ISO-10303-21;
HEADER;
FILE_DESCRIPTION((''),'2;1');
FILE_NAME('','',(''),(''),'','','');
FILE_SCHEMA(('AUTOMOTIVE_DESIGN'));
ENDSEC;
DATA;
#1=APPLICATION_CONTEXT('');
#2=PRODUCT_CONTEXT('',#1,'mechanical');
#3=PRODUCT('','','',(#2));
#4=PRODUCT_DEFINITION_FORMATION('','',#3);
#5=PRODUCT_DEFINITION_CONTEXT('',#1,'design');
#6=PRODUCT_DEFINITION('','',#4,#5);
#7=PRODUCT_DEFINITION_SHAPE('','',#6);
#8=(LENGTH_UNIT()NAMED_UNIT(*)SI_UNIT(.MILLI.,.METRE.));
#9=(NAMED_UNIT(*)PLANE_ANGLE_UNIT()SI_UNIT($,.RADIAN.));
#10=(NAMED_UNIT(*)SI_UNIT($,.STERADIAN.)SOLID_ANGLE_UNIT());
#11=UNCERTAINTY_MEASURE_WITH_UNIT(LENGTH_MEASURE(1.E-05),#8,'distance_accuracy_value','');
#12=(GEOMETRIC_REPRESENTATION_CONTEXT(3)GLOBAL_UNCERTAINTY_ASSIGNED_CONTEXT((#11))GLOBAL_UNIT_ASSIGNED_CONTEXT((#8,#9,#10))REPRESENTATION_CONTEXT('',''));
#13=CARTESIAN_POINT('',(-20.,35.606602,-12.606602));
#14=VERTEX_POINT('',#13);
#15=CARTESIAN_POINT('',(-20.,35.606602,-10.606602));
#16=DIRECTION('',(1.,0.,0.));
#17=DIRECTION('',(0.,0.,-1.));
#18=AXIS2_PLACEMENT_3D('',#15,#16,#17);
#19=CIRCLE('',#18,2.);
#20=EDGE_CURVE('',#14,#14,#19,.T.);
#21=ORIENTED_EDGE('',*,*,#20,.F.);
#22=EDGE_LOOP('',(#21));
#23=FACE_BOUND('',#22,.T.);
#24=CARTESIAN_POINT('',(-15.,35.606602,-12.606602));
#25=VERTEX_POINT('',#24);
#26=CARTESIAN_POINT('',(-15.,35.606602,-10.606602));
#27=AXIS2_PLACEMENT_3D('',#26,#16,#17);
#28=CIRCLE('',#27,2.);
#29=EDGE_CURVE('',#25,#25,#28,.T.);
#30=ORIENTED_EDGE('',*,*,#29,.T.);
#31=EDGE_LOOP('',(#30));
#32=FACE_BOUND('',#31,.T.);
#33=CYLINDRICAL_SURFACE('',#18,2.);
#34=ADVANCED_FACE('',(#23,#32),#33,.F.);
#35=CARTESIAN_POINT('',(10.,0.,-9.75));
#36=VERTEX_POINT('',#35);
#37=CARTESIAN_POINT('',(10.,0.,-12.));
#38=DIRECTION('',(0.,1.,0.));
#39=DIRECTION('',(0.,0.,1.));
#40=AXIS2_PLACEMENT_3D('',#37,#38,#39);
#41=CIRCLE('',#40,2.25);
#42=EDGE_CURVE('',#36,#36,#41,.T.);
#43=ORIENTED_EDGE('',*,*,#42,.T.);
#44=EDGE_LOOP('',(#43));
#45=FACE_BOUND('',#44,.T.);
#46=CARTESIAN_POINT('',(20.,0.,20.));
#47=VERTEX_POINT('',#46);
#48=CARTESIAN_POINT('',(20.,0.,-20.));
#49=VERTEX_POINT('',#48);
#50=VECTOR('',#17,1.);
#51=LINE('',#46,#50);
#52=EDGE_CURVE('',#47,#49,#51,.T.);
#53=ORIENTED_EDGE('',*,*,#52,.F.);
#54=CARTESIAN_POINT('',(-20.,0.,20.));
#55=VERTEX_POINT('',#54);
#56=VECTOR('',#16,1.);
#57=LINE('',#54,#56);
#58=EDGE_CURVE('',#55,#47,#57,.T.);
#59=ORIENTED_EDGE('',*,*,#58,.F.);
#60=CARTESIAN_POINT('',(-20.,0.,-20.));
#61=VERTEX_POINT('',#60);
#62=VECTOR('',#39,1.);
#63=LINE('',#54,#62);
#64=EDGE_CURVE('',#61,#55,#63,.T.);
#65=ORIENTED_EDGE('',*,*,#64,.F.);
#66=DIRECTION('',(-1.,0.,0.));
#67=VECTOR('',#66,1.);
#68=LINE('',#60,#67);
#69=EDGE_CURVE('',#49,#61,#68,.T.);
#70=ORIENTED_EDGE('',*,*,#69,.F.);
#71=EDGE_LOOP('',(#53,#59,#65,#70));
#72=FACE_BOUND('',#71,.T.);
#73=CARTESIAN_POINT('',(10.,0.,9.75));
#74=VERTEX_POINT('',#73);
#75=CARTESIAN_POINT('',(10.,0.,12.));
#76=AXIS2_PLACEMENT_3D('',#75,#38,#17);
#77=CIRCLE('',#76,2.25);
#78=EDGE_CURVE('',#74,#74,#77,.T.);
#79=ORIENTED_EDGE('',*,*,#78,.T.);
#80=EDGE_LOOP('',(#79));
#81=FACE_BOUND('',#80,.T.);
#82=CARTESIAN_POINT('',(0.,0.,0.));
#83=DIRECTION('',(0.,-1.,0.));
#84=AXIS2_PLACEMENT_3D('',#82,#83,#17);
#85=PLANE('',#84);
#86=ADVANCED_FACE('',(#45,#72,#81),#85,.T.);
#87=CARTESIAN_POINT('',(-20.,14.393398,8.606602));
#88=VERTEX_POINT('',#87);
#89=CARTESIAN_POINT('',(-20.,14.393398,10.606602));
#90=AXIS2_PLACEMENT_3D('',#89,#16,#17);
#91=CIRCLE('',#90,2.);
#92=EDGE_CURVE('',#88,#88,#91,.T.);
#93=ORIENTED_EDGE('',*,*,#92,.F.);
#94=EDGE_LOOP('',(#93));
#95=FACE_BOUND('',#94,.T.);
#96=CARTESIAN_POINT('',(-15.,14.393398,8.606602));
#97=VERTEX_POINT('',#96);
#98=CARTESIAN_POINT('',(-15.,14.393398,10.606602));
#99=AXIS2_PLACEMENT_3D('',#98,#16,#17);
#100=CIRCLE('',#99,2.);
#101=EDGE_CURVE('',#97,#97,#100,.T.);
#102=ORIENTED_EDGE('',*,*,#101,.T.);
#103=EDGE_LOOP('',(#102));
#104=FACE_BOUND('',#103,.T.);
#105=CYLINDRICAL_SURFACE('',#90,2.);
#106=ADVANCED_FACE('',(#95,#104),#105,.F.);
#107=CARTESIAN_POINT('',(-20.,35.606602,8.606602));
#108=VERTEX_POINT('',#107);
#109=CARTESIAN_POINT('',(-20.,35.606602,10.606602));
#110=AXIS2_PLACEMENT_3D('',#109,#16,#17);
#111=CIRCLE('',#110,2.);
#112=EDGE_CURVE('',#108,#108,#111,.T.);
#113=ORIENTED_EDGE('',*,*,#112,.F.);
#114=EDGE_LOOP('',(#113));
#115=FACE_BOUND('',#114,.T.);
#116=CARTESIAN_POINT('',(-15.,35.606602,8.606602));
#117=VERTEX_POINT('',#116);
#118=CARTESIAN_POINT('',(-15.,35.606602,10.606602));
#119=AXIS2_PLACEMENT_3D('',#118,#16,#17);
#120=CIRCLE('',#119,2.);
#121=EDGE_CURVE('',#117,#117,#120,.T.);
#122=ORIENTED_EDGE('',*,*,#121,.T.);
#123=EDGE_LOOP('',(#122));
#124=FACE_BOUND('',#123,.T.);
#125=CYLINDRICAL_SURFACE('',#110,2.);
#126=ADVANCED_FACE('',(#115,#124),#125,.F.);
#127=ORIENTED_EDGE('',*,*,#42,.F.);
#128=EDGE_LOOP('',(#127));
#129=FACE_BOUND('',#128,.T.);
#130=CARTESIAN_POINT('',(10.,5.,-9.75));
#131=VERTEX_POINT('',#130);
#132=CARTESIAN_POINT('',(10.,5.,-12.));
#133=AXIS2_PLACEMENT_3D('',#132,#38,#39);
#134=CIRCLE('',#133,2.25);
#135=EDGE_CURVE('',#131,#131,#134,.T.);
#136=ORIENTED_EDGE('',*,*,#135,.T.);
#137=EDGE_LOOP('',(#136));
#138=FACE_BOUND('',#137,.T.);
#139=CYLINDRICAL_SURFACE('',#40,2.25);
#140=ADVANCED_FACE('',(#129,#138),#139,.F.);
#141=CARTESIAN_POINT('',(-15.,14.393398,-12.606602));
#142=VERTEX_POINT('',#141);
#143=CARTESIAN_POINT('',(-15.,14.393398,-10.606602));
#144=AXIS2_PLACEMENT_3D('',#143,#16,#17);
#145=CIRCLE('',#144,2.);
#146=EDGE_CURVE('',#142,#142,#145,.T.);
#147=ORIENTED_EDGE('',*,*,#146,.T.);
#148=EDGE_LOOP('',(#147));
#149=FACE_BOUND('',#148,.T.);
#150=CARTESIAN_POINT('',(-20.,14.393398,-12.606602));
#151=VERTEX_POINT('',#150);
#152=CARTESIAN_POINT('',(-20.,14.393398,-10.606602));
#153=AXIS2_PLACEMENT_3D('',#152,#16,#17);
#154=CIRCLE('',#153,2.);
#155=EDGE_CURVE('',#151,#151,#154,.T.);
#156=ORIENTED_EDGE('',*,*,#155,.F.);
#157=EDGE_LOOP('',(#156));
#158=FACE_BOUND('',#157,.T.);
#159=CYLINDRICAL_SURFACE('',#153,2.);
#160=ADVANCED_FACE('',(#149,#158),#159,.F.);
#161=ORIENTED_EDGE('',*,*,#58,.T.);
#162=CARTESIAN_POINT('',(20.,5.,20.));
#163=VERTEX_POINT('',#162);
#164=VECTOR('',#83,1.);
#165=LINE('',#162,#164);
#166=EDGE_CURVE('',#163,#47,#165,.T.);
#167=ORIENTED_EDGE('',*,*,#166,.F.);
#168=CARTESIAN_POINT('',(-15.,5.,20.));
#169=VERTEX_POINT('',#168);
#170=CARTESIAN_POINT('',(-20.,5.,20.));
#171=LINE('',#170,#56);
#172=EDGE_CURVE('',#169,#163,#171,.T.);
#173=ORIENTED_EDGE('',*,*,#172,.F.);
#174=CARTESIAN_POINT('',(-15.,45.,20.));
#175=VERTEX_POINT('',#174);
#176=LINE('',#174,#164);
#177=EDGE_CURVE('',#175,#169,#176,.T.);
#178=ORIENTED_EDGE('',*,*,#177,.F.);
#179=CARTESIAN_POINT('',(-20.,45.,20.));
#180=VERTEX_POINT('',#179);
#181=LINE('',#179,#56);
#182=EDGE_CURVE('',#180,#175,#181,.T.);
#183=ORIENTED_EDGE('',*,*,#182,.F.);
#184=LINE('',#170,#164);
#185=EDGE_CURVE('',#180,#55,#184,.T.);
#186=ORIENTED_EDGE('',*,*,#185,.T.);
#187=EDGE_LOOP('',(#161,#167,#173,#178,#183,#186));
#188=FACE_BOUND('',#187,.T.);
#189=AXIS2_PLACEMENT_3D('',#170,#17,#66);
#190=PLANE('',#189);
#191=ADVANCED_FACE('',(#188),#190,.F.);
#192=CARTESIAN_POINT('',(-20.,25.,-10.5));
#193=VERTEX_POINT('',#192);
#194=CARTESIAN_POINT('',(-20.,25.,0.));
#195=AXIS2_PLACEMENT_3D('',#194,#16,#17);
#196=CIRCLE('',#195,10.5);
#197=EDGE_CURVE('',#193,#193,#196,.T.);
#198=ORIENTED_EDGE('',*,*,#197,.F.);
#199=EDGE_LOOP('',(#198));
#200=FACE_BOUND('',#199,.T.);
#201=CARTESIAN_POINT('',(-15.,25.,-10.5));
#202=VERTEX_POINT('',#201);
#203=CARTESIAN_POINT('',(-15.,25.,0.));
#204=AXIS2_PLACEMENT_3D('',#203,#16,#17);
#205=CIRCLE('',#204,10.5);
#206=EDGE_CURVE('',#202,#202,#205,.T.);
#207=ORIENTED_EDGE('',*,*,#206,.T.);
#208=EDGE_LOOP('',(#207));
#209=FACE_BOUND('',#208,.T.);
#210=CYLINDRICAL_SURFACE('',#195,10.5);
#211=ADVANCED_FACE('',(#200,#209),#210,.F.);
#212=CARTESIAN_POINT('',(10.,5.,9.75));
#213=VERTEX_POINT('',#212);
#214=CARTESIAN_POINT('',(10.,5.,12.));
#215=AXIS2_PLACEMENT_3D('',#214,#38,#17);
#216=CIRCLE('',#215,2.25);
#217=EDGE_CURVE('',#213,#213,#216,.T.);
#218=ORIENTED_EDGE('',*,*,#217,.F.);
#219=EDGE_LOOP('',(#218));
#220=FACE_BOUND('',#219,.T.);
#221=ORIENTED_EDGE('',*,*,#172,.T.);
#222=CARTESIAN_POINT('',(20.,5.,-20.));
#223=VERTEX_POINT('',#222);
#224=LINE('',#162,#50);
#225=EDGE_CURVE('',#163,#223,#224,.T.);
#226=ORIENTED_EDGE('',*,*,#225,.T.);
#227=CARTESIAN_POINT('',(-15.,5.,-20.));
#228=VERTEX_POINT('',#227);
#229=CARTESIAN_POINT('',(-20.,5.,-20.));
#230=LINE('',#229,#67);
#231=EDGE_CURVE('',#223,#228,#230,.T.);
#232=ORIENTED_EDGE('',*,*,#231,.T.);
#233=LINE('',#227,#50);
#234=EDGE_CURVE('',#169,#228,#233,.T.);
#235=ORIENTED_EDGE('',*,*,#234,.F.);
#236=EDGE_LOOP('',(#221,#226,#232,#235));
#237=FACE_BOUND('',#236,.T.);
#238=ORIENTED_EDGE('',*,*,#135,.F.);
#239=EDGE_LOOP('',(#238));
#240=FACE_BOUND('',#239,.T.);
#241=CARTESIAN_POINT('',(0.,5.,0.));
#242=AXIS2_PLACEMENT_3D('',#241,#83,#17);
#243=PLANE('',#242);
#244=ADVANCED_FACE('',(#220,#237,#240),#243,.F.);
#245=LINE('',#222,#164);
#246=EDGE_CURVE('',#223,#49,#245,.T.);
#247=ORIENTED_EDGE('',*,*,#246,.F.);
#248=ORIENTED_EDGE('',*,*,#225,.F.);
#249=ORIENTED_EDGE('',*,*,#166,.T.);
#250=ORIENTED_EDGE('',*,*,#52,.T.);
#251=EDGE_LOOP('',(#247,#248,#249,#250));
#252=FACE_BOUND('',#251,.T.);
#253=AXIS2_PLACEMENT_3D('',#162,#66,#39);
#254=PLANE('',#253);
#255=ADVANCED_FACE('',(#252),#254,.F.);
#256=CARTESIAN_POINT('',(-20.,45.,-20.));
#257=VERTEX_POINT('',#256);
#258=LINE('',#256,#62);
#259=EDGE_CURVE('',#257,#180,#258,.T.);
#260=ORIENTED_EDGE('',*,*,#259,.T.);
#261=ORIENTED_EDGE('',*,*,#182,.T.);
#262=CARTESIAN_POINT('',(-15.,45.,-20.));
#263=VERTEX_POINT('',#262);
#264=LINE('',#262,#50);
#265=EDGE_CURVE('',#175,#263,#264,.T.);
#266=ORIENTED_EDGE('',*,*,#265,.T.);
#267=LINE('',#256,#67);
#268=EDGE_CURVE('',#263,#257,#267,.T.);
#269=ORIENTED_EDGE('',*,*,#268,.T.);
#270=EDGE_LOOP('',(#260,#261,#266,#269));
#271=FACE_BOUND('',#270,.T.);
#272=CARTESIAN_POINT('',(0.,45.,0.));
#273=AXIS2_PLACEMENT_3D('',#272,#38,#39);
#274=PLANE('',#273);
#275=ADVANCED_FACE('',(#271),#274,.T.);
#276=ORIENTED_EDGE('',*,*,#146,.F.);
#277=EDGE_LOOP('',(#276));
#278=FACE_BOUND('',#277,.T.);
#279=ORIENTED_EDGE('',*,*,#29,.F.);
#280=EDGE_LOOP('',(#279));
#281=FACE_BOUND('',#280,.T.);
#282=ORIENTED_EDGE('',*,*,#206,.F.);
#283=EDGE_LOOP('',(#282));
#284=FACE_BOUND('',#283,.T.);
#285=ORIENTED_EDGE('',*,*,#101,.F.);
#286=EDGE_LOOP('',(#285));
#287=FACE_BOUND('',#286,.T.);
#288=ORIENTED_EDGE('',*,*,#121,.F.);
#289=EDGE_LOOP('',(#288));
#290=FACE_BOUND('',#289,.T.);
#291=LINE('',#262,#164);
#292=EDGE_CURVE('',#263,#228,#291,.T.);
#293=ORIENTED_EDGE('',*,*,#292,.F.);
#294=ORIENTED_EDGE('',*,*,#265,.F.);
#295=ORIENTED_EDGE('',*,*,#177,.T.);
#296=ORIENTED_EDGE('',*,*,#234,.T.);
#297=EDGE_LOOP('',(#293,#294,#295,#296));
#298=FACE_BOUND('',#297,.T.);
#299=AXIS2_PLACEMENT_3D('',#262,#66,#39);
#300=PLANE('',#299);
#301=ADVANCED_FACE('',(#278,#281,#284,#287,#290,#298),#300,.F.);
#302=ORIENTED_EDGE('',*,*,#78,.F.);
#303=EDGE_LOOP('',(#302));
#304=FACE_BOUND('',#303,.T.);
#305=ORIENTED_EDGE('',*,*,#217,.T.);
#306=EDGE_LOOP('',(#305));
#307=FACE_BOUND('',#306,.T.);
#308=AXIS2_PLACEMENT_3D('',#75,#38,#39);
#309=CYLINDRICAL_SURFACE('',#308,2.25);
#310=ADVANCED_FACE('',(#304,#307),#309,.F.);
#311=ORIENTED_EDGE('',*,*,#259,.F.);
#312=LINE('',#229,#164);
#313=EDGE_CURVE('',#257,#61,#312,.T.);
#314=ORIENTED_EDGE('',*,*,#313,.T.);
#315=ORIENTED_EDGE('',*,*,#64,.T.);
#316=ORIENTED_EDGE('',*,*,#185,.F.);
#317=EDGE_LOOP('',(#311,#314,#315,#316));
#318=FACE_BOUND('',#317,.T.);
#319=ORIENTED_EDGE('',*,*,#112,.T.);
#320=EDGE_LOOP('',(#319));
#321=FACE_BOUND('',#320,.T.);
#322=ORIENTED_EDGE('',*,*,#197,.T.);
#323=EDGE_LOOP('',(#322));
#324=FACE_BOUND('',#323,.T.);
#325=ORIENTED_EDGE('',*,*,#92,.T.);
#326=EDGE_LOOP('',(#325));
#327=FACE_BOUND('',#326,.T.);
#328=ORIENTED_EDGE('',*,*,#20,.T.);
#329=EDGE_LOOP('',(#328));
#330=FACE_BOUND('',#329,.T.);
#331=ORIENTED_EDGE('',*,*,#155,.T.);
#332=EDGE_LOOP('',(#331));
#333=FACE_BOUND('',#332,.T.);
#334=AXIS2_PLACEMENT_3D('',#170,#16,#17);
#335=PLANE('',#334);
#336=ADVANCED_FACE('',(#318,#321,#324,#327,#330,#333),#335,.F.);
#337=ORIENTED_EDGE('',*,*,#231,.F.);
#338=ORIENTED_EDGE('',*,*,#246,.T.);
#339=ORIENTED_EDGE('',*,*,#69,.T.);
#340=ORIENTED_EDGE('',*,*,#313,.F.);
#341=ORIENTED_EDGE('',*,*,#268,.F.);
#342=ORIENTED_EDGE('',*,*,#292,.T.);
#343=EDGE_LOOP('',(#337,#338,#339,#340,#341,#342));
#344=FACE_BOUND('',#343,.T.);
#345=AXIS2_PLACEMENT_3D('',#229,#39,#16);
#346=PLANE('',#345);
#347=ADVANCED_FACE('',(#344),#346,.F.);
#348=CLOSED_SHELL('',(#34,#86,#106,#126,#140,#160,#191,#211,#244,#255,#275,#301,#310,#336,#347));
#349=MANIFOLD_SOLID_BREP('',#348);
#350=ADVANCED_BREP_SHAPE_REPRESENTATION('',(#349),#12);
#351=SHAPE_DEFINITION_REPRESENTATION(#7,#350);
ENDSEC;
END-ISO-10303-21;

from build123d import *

# Parameters (mm, degrees)
SKETCH1_W           = 40
SKETCH1_H           = 40
BOSS_EXTRUDE1_DEPTH = 5
SKETCH3_W           = 5
SKETCH3_H           = 40
BOSS_EXTRUDE6_DEPTH = 40
SKETCH4_R           = 2.25
CUT_EXTRUDE2_DEPTH  = 49.989794856
SKETCH5_R           = 10.5
SKETCH5_R_2         = 2
CUT_EXTRUDE3_DEPTH  = 61.415229868


with BuildPart() as part:
    # Sketch1 → Boss-Extrude1 (new body)
    with BuildSketch(Plane(origin=(0, 0, 0), x_dir=(1, 0, 0), z_dir=(0, 1, 0))):
        Rectangle(SKETCH1_W, SKETCH1_H)
    extrude(amount=BOSS_EXTRUDE1_DEPTH)

    # Sketch3 → Boss-Extrude6 (add)
    with BuildSketch(Plane(origin=(0, 5, 0), x_dir=(1, 0, 0), z_dir=(0, 1, 0))):
        with Locations((-17.5, 0)):
            Rectangle(SKETCH3_W, SKETCH3_H)
    extrude(amount=BOSS_EXTRUDE6_DEPTH)

    # Sketch4 → Cut-Extrude2 (cut, through all)
    with BuildSketch(Plane(origin=(0, 5, 0), x_dir=(1, 0, 0), z_dir=(0, 1, 0))):
        with Locations(Location((10, 12, 0), (0, 0, 270))):
            Circle(SKETCH4_R)
        with Locations(Location((10, -12, 0), (0, 0, 90))):
            Circle(SKETCH4_R)
    extrude(amount=-CUT_EXTRUDE2_DEPTH, mode=Mode.SUBTRACT)

    # Sketch5 → Cut-Extrude3 (cut, through all)
    with BuildSketch(Plane(origin=(-15, 0, 0), x_dir=(0, 0, -1), z_dir=(1, 0, 0))):
        with Locations((0, 25)):
            Circle(SKETCH5_R)
        with Locations((-10.606601718, 35.606601718)):
            Circle(SKETCH5_R_2)
        with Locations((10.606601718, 35.606601718)):
            Circle(SKETCH5_R_2)
        with Locations((10.606601718, 14.393398282)):
            Circle(SKETCH5_R_2)
        with Locations((-10.606601718, 14.393398282)):
            Circle(SKETCH5_R_2)
    extrude(amount=-CUT_EXTRUDE3_DEPTH, mode=Mode.SUBTRACT)


solid = part.part
